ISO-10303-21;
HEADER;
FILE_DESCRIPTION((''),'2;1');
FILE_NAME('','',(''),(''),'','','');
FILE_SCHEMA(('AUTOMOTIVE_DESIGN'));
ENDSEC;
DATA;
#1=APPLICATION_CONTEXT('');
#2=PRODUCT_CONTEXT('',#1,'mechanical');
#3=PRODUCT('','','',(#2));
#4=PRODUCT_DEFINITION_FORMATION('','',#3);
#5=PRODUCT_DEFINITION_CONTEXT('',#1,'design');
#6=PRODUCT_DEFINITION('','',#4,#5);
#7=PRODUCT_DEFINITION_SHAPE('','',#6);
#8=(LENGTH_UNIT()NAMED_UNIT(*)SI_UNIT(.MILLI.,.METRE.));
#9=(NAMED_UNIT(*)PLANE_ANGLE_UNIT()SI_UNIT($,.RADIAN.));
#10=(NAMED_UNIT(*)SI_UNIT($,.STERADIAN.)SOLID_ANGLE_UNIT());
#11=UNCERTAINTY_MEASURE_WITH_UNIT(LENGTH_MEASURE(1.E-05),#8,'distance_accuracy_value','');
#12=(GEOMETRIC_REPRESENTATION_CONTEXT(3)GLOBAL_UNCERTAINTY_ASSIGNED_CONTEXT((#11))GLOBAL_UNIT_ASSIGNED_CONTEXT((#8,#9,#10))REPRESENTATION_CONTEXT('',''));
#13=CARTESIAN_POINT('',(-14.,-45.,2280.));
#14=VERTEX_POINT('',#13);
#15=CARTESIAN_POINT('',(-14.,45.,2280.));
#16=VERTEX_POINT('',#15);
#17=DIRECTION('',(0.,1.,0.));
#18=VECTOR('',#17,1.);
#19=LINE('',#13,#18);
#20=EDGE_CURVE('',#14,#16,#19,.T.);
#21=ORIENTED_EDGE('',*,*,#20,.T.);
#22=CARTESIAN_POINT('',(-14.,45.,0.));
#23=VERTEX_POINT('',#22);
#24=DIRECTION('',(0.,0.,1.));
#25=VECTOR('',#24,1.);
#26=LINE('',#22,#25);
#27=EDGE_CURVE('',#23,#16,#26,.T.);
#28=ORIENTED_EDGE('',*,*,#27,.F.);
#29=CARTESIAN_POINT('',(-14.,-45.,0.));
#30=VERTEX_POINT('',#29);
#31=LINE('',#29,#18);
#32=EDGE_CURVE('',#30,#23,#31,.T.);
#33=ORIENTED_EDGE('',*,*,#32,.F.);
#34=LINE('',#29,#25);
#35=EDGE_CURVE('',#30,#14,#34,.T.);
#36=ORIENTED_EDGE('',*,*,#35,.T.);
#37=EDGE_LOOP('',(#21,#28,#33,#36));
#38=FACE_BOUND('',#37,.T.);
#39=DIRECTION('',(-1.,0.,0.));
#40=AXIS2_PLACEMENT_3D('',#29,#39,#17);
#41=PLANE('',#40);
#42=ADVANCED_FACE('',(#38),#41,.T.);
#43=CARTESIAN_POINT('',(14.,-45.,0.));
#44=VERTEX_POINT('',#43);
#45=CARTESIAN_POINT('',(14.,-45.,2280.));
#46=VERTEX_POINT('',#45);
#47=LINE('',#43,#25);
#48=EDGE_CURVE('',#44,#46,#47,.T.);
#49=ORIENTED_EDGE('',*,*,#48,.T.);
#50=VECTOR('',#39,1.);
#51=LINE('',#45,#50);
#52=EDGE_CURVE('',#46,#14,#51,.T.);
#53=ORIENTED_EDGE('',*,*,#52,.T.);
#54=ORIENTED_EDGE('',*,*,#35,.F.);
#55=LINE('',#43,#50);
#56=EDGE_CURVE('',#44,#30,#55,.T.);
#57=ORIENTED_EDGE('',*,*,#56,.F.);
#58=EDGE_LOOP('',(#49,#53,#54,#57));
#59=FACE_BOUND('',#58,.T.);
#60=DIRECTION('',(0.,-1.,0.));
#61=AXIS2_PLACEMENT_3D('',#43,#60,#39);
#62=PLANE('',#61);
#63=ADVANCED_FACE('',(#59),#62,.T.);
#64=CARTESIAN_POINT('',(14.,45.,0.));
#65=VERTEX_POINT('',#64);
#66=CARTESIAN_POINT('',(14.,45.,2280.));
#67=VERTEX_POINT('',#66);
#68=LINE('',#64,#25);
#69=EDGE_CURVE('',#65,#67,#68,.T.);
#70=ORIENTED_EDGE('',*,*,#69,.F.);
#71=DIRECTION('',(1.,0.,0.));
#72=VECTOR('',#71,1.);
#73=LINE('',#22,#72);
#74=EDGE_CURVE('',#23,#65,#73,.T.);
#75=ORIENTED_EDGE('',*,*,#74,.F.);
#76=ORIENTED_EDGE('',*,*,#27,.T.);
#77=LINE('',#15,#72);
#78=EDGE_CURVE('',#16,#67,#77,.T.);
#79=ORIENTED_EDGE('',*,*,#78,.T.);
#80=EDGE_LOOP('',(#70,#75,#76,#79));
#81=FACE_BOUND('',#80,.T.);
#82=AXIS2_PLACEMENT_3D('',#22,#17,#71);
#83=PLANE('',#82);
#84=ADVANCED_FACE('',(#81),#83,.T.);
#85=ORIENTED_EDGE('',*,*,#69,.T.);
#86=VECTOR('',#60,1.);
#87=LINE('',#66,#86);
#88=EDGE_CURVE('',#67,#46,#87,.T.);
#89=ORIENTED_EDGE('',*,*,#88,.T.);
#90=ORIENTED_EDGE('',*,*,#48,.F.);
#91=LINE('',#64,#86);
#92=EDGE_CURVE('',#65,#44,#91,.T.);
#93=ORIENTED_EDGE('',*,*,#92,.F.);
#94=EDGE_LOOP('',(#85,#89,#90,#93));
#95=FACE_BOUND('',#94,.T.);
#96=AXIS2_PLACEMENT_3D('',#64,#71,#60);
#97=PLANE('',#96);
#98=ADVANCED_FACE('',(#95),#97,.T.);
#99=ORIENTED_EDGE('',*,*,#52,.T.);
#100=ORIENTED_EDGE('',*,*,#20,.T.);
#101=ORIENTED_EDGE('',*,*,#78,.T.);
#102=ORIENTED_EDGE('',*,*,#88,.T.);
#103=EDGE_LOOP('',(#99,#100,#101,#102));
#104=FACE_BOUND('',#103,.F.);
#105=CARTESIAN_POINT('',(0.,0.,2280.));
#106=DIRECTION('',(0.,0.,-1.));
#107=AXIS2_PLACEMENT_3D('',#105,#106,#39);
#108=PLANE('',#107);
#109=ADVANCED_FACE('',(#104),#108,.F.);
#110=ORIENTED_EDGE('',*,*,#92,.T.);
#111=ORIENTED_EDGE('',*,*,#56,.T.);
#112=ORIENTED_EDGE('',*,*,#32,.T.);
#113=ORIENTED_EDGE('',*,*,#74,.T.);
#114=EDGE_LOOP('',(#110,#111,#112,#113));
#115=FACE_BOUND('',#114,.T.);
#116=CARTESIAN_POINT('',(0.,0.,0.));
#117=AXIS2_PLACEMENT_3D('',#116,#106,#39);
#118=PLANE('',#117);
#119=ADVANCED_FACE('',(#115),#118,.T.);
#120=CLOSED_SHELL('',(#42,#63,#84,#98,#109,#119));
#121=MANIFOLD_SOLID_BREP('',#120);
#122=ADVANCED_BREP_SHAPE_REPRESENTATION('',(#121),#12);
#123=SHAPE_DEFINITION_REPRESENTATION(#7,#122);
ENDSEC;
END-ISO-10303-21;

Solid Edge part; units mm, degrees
sketch "Sketch1" plane through (0, 0, 0) normal (0, 0, -1) x (-1, 0, 0)
  line L0 (-14, -45) -> (14, -45)
  line L1 (14, -45) -> (14, 45)
  line L2 (14, 45) -> (-14, 45)
  line L3 (-14, 45) -> (-14, -45)
extrude "Protrusion1" add sketch "Sketch1" against normal blind 2280
properties material "Wood, Ash"
